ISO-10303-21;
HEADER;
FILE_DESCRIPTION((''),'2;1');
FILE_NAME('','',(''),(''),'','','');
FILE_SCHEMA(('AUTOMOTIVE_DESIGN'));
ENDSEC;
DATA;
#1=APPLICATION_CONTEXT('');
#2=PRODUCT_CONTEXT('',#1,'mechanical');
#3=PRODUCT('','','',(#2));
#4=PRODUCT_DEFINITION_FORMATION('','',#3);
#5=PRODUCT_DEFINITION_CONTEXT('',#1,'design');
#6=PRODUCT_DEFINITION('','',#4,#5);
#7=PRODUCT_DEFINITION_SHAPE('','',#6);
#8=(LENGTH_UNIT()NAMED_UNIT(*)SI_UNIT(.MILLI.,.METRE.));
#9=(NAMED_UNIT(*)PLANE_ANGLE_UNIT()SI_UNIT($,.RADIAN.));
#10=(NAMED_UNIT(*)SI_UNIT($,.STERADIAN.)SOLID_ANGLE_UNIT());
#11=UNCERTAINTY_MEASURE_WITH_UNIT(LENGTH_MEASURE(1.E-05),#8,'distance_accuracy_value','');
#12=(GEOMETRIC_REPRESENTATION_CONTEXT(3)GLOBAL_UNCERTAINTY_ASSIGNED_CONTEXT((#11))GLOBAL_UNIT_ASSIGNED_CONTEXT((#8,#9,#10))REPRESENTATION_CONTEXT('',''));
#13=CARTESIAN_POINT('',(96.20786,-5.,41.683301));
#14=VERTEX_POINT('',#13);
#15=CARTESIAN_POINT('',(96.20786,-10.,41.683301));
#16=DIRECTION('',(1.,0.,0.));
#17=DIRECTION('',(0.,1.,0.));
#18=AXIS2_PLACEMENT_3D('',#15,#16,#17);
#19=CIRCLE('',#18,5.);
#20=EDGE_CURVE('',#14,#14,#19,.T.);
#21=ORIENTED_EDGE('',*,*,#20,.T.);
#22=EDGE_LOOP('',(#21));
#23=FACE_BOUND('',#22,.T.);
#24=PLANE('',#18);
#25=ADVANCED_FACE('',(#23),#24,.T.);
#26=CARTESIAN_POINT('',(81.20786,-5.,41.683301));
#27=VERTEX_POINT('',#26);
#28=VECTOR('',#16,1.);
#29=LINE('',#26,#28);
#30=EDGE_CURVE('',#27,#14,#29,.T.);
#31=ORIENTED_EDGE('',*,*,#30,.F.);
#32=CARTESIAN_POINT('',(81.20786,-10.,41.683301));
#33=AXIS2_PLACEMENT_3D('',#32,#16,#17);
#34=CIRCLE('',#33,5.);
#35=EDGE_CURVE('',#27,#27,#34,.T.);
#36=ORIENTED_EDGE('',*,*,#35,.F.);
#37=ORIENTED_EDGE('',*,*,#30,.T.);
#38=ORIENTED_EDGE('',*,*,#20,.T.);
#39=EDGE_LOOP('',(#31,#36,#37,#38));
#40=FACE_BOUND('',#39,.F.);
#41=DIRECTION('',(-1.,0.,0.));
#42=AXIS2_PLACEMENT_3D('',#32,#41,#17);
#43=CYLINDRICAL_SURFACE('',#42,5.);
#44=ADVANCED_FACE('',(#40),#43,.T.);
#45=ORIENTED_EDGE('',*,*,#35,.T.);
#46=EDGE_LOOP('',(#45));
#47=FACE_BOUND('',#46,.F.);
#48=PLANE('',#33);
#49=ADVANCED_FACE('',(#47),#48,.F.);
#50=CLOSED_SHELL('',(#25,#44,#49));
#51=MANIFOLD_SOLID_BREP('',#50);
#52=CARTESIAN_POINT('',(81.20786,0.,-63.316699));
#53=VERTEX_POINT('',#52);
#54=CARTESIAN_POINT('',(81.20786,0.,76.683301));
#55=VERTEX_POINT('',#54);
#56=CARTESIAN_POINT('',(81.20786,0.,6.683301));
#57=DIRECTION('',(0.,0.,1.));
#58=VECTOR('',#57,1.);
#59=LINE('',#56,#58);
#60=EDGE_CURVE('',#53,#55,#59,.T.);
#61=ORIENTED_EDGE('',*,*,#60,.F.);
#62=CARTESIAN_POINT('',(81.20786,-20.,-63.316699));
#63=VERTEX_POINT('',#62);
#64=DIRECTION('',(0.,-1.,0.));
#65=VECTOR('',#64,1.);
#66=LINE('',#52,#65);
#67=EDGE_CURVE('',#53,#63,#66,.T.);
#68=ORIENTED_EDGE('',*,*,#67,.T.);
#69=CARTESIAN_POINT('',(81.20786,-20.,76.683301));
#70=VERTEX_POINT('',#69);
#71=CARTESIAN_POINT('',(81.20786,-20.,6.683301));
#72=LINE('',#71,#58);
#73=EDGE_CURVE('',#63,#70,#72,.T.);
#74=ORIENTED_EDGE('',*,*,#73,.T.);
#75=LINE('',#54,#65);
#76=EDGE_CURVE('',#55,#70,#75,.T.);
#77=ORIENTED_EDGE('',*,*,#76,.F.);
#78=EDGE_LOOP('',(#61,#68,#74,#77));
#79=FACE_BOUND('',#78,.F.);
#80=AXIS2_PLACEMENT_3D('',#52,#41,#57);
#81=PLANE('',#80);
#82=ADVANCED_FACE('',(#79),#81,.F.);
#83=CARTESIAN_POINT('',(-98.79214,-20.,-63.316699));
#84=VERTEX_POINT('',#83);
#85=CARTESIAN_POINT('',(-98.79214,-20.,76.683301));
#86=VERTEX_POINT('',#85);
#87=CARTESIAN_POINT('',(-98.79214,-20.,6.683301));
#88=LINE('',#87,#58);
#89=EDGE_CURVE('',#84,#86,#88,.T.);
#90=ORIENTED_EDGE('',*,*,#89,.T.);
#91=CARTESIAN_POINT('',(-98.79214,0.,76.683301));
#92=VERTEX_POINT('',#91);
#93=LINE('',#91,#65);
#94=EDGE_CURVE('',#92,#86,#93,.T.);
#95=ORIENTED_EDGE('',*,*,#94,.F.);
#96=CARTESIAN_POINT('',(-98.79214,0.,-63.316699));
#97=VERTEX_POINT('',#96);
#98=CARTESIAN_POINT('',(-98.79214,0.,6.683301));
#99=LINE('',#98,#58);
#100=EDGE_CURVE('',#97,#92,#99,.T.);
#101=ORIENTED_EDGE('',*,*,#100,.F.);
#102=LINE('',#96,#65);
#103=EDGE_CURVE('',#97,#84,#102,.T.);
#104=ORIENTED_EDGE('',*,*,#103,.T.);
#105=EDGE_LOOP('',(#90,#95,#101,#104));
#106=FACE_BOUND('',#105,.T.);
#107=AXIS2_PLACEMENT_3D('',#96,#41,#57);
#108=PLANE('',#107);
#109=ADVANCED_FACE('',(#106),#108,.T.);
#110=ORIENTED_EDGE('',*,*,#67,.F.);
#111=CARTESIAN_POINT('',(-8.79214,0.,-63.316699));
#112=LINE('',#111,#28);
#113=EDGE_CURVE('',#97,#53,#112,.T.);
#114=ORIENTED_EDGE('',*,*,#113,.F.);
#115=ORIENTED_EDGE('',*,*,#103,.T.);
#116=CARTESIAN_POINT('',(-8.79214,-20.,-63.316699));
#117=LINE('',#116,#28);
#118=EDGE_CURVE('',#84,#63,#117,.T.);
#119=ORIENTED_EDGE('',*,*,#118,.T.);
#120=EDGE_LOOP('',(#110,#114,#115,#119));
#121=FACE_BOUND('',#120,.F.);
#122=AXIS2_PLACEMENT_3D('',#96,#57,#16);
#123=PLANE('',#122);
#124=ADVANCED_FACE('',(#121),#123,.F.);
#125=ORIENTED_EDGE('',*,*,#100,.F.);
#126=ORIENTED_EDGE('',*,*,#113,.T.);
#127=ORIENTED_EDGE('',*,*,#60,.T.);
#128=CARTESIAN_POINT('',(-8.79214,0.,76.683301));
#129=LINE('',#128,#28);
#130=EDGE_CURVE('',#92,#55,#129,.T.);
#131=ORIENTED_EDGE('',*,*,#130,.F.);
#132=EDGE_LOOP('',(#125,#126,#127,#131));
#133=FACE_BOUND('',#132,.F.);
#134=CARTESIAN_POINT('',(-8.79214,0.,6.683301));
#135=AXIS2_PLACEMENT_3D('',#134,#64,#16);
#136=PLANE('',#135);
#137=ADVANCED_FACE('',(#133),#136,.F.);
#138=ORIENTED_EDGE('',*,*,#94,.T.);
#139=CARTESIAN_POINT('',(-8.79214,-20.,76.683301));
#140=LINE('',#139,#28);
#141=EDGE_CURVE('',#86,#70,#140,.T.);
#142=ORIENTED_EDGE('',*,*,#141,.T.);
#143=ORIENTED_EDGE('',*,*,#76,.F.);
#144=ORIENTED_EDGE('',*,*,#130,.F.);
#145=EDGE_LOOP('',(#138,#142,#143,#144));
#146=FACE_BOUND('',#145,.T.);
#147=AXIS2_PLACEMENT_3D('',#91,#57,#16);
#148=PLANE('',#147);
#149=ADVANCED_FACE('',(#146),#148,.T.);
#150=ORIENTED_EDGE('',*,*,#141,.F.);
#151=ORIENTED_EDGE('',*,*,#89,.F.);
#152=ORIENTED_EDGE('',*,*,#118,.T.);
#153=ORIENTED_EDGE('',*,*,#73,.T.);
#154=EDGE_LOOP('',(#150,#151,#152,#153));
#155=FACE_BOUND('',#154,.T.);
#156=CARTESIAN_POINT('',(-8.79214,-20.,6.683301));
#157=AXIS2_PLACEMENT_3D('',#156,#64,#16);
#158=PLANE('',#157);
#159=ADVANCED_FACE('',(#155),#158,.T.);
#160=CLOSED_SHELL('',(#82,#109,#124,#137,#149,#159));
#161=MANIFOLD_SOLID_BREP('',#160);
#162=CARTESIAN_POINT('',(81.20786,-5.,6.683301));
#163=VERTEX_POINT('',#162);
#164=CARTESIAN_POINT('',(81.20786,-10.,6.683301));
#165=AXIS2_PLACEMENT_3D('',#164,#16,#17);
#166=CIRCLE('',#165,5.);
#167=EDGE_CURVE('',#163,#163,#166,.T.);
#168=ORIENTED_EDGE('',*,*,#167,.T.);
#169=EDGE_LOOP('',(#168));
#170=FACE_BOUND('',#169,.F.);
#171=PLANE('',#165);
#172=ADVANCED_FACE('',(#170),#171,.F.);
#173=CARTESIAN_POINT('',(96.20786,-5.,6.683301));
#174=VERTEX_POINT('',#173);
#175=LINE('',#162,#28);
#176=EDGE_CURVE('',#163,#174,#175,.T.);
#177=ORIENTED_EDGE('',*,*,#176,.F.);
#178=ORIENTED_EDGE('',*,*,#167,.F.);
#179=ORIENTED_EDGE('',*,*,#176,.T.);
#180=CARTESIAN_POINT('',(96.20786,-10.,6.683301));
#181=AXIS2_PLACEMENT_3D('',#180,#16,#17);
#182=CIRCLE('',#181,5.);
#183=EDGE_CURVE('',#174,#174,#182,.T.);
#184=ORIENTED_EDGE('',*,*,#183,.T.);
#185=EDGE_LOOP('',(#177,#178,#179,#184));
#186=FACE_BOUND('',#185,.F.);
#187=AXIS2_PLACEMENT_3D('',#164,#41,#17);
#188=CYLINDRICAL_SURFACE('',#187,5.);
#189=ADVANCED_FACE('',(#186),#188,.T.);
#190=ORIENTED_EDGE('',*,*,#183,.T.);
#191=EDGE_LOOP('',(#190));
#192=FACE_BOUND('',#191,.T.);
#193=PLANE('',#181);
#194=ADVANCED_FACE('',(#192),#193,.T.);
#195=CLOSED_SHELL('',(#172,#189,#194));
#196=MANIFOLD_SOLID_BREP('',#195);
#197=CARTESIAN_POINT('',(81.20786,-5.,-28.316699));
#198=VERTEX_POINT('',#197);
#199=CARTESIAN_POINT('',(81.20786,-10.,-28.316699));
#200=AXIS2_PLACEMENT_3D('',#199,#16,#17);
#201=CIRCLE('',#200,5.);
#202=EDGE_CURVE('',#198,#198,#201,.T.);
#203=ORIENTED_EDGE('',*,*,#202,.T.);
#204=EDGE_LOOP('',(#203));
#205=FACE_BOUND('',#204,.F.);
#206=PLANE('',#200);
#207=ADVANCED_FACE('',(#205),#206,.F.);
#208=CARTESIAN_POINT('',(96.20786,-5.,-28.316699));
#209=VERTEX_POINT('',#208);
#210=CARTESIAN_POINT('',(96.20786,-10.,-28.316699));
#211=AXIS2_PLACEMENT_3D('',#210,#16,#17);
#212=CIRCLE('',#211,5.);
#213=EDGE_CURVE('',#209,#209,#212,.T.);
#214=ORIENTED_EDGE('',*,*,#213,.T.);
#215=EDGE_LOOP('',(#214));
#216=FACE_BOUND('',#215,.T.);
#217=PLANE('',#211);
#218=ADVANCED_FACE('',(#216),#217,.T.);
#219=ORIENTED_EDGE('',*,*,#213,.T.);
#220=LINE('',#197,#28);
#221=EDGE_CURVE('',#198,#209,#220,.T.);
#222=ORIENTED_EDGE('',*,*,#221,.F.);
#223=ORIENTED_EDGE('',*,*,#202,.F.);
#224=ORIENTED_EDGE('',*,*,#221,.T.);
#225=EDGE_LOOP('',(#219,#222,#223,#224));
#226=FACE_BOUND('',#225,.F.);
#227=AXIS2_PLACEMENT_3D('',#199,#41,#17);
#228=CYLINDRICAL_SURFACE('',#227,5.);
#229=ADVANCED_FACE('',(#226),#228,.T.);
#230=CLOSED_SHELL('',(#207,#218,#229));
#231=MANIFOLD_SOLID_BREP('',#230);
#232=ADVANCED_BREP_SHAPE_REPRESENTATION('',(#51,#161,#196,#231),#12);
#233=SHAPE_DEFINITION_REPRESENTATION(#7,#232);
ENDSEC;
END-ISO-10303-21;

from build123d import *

# Parameters (mm, degrees)
F0_W     = 180
F0_H     = 140
F1_DEPTH = 20
F2_R     = 5
F3_DEPTH = 15


with BuildPart() as f1:
    # F0 (on Front) → F1 (new body)
    with BuildSketch(Plane.XZ):
        with Locations((-8.79214, 6.683301)):
            Rectangle(F0_W, F0_H)
    extrude(amount=F1_DEPTH)


with BuildPart() as f3:
    # F2 (on face) → F3 (new body)
    with BuildSketch(Plane.YZ.offset(81.20786)):
        with Locations((-10, 41.683301)):
            Circle(F2_R)
        with Locations((-10, 6.683301)):
            Circle(F2_R)
        with Locations((-10, -28.316699)):
            Circle(F2_R)
    extrude(amount=F3_DEPTH)


solid = Compound([f1.part, f3.part])
